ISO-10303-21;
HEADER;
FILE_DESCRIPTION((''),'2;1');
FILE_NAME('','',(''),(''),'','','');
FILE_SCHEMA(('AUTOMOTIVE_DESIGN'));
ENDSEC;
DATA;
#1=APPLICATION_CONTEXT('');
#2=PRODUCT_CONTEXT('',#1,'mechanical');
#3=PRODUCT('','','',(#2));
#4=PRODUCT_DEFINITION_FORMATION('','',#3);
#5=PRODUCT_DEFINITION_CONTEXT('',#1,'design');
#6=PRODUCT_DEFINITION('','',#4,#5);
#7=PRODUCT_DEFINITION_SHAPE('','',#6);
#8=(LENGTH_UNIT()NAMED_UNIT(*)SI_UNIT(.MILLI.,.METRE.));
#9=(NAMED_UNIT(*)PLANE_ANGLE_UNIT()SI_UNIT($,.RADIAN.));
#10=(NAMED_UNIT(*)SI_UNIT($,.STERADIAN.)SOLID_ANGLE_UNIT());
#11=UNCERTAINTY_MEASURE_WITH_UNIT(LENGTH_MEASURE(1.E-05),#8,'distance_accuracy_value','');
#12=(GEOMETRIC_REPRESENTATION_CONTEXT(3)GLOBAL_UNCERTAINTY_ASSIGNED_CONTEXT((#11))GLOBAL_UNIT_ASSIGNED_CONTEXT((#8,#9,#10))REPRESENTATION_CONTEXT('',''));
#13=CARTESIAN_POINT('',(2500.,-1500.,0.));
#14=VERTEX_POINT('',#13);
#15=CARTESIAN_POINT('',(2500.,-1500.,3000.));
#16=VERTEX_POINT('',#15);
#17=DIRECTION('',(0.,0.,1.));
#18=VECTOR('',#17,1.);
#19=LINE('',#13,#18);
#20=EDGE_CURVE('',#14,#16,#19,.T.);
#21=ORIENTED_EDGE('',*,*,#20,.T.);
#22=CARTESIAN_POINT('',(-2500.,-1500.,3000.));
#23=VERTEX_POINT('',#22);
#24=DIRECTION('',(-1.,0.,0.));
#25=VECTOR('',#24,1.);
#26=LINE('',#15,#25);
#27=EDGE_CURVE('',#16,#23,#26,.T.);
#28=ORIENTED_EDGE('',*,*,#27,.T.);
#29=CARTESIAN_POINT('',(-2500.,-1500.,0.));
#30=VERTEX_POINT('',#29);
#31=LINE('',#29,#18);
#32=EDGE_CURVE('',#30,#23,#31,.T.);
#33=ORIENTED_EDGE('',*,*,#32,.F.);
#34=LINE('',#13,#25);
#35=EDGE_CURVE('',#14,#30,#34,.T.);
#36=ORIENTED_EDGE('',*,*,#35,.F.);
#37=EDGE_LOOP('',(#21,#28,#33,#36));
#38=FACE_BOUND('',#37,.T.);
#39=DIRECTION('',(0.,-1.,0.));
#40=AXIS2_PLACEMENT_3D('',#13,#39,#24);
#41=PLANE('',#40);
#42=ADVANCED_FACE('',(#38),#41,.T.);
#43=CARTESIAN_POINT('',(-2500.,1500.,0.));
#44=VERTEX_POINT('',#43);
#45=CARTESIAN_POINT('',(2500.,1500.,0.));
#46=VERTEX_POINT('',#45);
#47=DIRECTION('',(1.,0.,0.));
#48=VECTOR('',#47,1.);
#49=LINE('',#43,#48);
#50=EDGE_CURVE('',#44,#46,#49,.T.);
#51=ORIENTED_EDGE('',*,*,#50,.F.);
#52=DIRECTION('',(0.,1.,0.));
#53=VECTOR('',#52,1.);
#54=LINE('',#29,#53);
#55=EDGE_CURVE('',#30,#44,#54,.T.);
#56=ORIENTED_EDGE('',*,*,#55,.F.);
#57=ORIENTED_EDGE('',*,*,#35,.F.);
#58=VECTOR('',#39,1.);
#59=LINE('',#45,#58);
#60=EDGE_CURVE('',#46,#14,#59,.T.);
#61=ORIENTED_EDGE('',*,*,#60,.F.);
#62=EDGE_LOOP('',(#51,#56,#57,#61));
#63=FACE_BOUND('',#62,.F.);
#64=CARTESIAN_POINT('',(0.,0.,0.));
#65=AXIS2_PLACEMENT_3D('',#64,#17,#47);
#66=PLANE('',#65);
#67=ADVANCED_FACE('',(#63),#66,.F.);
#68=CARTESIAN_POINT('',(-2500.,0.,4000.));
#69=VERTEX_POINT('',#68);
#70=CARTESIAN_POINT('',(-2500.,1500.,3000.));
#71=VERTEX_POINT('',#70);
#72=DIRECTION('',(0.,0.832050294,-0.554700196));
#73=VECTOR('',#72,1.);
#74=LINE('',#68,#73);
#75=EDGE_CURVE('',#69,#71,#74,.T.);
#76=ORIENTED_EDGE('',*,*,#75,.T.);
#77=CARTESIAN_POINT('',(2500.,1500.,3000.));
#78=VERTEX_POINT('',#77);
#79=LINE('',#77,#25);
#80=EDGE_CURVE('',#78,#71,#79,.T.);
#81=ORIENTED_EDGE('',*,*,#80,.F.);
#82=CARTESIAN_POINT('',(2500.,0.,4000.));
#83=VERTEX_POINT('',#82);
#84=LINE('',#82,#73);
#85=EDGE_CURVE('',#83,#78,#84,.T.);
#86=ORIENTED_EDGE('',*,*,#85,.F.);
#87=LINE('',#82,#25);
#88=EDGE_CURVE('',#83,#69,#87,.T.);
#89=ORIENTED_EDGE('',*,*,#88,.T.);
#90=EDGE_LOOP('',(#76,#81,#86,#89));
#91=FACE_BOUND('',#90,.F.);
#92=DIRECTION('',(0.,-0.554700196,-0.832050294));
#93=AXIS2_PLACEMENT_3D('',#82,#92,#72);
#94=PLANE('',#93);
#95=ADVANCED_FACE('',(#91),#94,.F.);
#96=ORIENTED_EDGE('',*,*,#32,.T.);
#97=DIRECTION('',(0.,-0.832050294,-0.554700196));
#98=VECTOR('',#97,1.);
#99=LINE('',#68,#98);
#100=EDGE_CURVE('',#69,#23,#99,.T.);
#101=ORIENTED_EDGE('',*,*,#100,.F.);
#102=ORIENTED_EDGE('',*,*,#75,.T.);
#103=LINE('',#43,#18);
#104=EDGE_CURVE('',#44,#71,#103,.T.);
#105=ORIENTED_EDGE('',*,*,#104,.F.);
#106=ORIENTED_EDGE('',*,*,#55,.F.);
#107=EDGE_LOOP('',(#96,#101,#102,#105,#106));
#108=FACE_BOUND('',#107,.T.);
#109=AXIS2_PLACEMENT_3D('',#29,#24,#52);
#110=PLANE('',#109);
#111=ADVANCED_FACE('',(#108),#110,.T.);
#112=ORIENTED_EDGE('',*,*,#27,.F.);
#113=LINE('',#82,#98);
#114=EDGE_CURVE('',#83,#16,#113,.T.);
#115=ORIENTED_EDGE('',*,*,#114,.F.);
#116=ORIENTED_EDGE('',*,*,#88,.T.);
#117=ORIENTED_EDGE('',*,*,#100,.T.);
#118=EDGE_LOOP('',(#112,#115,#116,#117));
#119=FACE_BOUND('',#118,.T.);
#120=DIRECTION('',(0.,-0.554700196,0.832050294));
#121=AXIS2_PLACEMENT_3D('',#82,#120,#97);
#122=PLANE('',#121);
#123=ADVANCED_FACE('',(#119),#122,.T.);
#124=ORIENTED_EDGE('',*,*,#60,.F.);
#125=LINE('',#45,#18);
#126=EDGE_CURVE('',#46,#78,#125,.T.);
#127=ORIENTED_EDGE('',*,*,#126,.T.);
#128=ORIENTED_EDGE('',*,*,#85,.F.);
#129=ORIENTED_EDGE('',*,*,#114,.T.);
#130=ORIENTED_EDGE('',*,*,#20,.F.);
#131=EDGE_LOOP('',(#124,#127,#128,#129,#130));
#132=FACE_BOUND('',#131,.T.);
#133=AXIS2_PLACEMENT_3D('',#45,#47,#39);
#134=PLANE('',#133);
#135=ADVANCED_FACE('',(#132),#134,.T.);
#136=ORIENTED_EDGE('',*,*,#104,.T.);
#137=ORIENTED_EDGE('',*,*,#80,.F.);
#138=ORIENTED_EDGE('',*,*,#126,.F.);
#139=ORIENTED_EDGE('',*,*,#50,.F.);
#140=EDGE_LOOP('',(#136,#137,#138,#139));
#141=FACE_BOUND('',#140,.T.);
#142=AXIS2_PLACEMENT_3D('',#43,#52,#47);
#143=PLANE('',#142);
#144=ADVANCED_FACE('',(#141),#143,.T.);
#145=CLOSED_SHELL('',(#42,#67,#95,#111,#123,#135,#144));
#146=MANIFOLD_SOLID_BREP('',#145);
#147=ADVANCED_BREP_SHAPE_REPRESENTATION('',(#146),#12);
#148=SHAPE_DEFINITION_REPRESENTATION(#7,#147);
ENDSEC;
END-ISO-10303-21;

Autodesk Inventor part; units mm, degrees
ref_plane "YZ Plane" through (0, 0, 0) normal (1, 0, 0) x (0, 1, 0)
ref_plane "XZ Plane" through (0, 0, 0) normal (0, 1, 0) x (-1, 0, 0)
ref_plane "XY Plane" through (0, 0, 0) normal (0, 0, 1) x (1, 0, 0)
sketch "草图1" plane through (0, 0, 0) normal (0, 0, 1) x (1, 0, 0)
  line L0 (-2500, 1500) -> (2500, 1500)
  line L1 (2500, 1500) -> (2500, -1500)
  line L2 (2500, -1500) -> (-2500, -1500)
  line L3 (-2500, -1500) -> (-2500, 1500)
  point P0 (0, 0)
  point P1 (2500, 0)
  point P2 (0, 1500)
  dimension "d0" = 5000
  dimension "d1" = 3000
extrude "拉伸1" add sketch "草图1" along normal blind 4000
sketch "草图2" plane through (2500, -1500, 0) normal (1, 0, 0) x (0, 0, -1)
  line L0 (-4000, 3000) -> (-4000, 0) projected
  line L1 (-4000, 1500) -> (-3000, 3000)
  line L2 (0, 3000) -> (-4000, 3000) projected
  line L3 (-4000, 1500) -> (-3000, 0)
  line L4 (0, 0) -> (-4000, 0) projected
  line L5 (-3000, 3000) -> (0, 3000)
  line L6 (0, 0) -> (-3000, 0)
  line L7 (0, 3000) -> (0, 0)
  point P0 (0, 1500)
  dimension "d4" = 1000
extrude "拉伸2" cut sketch "草图2" against normal through all contours L1 L2 L7 L4 L3 keep common part
properties part number "简单房"
